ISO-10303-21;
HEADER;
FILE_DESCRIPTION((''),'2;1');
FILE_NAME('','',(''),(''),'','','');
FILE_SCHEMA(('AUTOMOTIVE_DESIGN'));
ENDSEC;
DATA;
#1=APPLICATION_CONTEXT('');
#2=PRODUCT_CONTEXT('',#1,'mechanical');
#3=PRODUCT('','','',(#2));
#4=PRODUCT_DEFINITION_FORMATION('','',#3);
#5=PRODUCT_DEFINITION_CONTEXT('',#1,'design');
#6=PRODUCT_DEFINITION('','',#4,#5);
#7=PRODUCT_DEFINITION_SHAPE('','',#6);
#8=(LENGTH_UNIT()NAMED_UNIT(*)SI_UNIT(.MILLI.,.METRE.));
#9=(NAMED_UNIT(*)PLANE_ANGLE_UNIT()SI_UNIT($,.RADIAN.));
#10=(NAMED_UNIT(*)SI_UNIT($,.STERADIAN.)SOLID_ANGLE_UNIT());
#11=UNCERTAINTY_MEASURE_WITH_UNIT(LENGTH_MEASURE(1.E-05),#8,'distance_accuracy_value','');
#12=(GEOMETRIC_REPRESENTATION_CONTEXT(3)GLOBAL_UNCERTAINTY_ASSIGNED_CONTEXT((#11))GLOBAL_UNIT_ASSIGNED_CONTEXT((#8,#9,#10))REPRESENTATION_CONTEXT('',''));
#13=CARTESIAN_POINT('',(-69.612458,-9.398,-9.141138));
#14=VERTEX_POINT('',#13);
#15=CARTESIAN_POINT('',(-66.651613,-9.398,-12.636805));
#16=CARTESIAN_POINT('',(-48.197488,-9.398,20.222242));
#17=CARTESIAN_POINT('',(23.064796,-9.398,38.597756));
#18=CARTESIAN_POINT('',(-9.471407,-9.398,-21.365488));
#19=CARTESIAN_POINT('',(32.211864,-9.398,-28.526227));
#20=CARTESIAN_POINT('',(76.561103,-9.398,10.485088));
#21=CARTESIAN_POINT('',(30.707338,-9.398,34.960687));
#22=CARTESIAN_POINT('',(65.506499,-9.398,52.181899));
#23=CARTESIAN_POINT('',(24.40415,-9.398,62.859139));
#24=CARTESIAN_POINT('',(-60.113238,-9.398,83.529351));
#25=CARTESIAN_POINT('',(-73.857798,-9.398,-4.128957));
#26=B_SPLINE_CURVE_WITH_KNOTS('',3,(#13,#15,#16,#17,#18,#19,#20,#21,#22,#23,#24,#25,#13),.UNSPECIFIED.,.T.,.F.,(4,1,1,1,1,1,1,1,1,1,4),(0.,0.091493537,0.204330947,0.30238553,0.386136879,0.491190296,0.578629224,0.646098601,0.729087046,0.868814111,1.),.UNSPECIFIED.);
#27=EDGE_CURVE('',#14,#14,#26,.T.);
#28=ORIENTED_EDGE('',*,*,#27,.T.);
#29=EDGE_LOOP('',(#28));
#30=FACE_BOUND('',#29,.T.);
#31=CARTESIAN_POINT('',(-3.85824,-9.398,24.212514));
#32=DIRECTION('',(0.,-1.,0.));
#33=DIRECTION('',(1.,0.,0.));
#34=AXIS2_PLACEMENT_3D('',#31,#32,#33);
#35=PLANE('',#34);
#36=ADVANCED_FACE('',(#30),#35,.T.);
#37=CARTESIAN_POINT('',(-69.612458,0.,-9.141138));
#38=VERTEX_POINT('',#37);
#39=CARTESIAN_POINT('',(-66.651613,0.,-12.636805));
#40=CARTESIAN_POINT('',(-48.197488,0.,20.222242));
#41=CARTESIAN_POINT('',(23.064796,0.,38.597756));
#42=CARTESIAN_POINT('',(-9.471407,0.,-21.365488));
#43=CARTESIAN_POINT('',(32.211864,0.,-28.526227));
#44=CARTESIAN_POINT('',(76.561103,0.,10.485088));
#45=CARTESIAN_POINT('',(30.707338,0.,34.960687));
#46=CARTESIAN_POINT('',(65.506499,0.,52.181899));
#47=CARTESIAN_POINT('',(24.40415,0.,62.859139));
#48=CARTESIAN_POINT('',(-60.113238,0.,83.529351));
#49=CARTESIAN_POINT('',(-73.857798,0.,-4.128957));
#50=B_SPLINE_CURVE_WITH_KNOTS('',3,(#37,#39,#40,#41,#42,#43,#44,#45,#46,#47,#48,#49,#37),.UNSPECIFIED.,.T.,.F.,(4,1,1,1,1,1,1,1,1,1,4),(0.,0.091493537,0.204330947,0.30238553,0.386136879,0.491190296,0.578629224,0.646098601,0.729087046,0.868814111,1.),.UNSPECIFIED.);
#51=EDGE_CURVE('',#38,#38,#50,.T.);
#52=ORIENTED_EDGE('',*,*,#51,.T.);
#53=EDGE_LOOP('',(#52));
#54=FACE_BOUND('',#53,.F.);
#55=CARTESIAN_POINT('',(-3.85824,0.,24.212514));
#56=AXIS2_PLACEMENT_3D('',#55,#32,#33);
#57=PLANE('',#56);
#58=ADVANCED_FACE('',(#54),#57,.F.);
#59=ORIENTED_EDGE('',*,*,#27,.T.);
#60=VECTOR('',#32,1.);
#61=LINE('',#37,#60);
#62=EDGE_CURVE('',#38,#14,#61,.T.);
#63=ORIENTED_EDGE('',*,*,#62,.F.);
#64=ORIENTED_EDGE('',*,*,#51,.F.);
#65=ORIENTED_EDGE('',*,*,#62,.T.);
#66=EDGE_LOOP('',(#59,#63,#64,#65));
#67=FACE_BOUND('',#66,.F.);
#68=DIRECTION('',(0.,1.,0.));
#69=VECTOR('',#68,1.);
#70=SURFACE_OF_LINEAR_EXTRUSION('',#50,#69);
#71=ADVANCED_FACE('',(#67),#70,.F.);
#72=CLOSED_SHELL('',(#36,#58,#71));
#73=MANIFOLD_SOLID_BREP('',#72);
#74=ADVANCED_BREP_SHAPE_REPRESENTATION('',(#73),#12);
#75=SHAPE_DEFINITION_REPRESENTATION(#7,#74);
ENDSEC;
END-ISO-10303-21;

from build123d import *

# Parameters (mm, degrees)
F1_DEPTH = 9.398


with BuildPart() as f1:
    # F0 (on Front) → F1 (new body)
    with BuildSketch(Plane.XZ):
        with BuildLine():
            add(Edge.make_bspline(
                [(-69.6124583483, -9.1411378235), (-66.6516132346, -12.6368045673), (-48.1974875195, 20.2222417001), (23.0647958803, 38.5977560961), (-9.4714065394, -21.3654883393), (32.211864214, -28.5262272391), (76.5611028796, 10.4850877859), (30.7073375019, 34.9606869359), (65.5064992168, 52.181898535), (24.4041502112, 62.8591385977), (-60.1132377856, 83.5293509915), (-73.8577975708, -4.1289569876), (-69.6124583483, -9.1411378235)],
                knots=[0, 0, 0, 0, 0.0914935367, 0.2043309469, 0.3023855298, 0.3861368789, 0.4911902956, 0.5786292242, 0.6460986008, 0.7290870463, 0.8688141105, 1, 1, 1, 1], degree=3))
        make_face()
    extrude(amount=F1_DEPTH)


solid = f1.part
